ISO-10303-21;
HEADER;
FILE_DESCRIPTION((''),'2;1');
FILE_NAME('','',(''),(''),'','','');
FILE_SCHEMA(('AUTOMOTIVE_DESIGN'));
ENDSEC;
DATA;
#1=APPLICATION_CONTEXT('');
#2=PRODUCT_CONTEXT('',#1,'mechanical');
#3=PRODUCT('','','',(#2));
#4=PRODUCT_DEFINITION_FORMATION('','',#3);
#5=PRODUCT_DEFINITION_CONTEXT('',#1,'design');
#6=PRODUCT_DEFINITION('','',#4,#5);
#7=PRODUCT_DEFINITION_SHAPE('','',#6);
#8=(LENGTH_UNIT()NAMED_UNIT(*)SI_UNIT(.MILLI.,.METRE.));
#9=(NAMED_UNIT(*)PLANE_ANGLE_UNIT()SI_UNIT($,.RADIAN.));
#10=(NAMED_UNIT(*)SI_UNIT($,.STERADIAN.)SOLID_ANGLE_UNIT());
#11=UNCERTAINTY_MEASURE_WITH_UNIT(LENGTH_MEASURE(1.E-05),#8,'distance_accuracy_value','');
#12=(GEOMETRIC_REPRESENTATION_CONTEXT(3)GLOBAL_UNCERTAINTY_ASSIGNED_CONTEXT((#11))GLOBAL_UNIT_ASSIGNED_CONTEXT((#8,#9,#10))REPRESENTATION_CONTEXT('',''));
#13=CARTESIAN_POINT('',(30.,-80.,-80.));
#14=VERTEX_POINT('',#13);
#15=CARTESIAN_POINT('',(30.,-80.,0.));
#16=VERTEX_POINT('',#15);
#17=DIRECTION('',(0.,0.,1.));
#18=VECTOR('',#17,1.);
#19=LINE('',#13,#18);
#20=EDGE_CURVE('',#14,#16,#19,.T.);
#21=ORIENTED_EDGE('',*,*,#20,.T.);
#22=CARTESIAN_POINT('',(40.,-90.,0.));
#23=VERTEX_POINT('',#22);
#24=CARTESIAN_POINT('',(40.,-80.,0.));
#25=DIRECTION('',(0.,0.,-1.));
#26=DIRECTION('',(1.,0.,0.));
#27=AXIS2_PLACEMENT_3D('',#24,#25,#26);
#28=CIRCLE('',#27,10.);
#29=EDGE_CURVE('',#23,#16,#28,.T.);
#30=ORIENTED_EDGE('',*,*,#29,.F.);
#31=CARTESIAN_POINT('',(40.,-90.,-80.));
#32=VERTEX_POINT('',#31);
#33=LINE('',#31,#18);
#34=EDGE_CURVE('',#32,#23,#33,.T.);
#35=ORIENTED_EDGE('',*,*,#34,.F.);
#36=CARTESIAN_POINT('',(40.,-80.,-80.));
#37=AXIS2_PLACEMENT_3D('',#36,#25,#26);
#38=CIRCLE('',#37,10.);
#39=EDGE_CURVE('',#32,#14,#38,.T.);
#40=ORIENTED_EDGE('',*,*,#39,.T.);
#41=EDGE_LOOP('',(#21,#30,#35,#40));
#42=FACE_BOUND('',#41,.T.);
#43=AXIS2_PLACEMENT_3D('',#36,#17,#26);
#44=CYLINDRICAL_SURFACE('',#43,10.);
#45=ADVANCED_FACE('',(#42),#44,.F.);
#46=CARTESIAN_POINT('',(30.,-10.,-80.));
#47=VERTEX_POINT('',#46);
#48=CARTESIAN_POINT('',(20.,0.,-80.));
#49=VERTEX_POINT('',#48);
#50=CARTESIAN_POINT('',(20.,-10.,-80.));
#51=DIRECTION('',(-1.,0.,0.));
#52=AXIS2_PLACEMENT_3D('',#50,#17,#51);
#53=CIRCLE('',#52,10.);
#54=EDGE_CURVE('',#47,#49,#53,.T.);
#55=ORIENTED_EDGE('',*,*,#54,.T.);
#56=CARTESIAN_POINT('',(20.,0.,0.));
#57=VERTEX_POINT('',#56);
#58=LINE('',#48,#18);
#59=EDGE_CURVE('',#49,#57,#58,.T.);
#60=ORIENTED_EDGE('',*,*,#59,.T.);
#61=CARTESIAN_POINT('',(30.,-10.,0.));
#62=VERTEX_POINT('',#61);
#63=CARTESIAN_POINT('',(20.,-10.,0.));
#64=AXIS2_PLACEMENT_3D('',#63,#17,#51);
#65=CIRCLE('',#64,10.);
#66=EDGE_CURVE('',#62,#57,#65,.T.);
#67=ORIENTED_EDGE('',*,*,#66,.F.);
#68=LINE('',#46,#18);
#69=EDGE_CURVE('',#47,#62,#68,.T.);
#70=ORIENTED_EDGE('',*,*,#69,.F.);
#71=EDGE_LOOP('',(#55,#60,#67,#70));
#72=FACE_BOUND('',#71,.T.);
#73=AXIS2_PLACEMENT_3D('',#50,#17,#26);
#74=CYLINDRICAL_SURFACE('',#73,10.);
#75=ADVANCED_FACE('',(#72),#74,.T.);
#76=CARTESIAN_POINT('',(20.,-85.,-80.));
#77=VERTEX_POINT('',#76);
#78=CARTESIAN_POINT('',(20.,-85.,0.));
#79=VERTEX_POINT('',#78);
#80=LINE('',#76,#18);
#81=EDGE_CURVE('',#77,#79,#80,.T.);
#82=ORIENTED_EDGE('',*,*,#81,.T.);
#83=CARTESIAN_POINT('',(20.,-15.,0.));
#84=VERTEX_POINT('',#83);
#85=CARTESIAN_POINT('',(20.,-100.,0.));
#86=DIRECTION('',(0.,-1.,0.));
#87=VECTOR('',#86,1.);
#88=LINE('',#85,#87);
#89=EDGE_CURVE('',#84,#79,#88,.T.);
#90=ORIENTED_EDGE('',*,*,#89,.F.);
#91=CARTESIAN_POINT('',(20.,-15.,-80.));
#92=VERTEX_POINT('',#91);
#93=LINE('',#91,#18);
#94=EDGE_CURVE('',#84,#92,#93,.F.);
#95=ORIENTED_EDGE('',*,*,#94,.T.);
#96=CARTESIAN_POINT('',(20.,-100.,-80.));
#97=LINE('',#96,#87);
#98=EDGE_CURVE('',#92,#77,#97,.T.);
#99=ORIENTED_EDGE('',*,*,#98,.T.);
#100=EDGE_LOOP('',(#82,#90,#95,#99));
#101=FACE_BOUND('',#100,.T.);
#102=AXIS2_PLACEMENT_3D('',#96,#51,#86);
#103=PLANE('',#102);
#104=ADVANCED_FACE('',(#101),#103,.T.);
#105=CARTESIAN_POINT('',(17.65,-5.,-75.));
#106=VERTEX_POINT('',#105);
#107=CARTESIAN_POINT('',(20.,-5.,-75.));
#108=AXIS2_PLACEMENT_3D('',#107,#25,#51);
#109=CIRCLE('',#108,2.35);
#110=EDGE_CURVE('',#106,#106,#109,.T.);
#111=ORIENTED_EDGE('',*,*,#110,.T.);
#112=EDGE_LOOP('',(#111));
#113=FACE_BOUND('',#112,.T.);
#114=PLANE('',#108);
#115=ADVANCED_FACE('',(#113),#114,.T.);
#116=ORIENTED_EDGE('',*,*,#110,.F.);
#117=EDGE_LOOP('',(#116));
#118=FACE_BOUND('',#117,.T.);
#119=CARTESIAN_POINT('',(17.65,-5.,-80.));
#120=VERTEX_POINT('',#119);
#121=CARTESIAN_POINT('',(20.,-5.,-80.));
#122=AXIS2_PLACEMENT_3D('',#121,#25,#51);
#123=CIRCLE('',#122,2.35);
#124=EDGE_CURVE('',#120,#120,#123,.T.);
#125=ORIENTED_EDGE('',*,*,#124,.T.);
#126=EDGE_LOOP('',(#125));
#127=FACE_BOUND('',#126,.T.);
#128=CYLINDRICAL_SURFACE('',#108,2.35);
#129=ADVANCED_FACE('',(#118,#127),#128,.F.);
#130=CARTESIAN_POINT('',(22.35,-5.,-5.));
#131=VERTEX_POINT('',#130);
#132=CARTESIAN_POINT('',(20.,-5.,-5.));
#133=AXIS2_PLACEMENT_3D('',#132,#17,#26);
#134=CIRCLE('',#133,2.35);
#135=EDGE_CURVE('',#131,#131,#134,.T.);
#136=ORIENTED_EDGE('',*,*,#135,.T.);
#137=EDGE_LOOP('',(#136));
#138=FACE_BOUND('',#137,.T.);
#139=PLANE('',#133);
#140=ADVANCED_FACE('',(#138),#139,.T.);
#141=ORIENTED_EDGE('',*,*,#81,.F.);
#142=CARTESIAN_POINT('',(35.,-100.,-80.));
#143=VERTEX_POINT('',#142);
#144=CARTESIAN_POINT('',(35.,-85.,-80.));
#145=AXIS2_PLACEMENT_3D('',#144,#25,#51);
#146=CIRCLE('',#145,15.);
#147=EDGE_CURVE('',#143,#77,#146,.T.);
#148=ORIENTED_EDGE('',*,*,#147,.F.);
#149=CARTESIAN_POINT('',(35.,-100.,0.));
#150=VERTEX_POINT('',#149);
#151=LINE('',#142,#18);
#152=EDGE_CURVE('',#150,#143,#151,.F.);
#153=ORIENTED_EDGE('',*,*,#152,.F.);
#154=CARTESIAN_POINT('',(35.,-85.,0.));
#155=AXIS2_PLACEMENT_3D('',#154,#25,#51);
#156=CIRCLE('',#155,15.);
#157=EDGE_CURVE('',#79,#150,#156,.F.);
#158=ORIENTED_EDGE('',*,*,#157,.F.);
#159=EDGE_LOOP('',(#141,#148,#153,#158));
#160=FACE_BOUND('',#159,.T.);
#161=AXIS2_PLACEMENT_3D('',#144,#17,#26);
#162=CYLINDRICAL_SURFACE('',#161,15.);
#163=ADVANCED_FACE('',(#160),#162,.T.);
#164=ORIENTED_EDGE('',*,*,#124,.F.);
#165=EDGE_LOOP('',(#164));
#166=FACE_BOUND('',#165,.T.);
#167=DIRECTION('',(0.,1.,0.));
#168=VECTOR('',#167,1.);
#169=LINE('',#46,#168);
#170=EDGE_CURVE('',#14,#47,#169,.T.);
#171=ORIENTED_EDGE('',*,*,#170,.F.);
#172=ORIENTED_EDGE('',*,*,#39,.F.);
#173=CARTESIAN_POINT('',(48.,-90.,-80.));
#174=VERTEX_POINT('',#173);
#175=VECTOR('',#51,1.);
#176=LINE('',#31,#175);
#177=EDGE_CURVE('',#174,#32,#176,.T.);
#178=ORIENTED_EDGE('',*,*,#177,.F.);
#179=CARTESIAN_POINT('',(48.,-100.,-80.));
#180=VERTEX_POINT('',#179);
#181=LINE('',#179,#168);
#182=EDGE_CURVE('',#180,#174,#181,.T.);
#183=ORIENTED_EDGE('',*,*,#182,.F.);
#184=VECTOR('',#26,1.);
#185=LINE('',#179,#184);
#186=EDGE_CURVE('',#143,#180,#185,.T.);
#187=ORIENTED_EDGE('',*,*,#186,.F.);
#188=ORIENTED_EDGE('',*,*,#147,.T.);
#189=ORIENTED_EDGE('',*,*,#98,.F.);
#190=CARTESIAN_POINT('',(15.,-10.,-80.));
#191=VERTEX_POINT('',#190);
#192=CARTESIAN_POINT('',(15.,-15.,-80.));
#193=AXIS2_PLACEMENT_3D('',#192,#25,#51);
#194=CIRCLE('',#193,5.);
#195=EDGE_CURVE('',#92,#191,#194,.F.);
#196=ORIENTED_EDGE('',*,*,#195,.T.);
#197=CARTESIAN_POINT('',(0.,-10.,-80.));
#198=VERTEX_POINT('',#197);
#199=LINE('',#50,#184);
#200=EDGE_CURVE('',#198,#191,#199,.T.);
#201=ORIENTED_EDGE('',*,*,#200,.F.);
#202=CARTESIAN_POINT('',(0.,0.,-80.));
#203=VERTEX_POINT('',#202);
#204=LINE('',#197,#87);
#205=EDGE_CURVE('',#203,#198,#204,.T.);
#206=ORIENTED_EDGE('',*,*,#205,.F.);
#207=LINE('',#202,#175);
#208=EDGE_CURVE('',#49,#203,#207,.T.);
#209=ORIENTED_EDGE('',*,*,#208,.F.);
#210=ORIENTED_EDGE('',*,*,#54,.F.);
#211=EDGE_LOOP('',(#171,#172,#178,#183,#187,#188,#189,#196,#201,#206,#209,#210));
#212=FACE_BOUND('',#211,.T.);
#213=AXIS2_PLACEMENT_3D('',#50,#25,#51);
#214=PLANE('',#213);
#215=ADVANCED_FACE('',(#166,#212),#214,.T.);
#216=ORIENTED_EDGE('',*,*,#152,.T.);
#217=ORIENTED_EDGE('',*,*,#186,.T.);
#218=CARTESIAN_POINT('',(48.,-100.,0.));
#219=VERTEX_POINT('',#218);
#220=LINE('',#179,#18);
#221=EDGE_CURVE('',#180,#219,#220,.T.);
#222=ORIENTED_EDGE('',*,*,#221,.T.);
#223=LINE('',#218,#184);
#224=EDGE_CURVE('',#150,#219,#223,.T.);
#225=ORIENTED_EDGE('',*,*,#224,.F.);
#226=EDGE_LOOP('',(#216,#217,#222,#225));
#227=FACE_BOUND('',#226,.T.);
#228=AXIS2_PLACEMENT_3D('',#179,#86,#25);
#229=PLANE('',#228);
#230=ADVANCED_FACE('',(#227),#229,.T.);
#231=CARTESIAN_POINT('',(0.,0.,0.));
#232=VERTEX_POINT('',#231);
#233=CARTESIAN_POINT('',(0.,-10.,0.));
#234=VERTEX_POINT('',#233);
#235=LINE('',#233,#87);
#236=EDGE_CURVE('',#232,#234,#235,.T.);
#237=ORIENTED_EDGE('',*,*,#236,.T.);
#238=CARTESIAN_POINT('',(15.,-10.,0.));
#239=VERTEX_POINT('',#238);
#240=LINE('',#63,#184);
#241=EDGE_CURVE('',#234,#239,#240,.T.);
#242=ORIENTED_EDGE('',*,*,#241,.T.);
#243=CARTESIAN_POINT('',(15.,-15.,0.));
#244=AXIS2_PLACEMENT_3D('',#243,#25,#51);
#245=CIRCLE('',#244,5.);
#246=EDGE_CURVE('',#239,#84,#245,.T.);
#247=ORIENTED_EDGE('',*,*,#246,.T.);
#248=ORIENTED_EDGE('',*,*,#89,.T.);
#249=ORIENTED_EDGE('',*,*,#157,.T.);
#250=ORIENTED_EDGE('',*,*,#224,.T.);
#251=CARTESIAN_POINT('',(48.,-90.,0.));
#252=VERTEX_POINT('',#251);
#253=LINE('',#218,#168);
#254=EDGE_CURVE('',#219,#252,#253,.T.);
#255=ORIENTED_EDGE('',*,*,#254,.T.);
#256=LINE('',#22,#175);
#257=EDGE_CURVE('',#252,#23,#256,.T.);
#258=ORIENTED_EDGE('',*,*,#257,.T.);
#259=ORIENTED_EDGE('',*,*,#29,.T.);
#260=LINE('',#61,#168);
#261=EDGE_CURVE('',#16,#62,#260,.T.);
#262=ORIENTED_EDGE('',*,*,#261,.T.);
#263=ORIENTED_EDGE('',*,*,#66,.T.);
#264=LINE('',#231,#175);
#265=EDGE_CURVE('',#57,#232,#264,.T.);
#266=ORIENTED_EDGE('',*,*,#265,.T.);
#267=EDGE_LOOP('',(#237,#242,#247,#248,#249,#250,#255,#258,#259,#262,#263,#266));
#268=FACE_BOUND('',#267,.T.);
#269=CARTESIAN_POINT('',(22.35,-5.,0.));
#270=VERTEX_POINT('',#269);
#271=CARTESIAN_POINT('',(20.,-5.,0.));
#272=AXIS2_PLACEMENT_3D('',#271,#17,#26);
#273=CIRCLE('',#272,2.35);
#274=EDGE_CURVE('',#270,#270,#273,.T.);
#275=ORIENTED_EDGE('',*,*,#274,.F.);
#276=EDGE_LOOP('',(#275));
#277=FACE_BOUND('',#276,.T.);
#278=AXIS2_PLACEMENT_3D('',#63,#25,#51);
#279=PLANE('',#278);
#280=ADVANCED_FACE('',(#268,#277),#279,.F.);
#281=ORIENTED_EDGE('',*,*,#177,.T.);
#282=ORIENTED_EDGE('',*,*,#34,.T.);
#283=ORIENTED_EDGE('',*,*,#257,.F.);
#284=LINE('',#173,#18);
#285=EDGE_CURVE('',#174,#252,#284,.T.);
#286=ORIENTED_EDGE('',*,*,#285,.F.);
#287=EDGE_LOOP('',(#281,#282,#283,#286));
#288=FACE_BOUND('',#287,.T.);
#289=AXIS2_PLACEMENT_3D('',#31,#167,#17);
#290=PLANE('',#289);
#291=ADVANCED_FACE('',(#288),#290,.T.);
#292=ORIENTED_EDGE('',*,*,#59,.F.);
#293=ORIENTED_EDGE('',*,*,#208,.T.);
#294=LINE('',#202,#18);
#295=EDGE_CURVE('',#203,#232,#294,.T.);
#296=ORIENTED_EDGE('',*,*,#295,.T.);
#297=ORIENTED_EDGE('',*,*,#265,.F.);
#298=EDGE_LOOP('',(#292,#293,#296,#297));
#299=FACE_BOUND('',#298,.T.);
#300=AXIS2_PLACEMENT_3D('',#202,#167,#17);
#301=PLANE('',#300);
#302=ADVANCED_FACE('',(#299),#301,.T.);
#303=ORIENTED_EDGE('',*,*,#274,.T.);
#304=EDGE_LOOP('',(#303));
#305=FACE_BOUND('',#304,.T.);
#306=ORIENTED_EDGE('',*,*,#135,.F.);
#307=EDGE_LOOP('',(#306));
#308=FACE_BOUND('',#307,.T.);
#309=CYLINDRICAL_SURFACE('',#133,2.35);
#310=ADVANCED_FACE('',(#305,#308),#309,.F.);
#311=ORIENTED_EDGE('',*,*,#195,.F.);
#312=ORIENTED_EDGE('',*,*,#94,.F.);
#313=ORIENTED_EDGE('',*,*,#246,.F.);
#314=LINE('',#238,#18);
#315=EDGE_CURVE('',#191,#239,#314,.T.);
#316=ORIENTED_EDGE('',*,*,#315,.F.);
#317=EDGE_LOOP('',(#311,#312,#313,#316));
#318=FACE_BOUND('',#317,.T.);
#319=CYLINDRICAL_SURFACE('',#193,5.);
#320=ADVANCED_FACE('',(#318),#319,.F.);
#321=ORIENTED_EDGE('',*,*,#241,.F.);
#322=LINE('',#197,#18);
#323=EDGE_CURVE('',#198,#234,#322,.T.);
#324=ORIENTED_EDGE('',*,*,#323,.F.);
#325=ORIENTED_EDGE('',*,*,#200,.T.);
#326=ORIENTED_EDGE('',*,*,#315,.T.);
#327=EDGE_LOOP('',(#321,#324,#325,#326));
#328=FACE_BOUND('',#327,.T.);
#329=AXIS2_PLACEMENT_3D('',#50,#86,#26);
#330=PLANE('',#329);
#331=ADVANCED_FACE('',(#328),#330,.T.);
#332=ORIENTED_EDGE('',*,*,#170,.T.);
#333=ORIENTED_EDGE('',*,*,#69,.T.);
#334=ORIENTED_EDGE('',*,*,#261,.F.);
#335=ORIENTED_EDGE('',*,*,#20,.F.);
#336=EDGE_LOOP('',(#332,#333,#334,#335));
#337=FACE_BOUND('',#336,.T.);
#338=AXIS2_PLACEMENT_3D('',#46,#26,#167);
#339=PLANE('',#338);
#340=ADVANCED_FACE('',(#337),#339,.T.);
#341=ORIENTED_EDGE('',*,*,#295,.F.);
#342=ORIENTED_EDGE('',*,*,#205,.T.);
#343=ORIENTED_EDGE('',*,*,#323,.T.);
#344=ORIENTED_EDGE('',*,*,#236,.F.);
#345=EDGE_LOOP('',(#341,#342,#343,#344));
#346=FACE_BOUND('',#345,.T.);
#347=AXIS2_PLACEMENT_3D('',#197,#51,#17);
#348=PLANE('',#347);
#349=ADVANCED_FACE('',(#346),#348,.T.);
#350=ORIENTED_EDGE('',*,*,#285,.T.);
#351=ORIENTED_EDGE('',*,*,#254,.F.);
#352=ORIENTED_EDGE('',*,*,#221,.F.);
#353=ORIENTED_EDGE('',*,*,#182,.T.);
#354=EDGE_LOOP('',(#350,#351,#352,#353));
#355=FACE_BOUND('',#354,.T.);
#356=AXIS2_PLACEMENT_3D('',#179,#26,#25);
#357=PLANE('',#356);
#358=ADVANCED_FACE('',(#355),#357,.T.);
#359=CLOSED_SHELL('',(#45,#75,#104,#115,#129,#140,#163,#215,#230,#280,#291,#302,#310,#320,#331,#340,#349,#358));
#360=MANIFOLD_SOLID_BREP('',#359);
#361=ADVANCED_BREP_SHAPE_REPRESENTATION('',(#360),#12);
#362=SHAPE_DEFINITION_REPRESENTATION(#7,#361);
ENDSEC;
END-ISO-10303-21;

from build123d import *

# Parameters (mm, degrees)
SALIENTE_EXTRUIR3_DEPTH = 80
CROQUIS2_R              = 2.35
CORTAR_EXTRUIR1_DEPTH   = 5
CORTAR_EXTRUIR2_START   = -5
CROQUIS3_R              = 2.35
CORTAR_EXTRUIR2_DEPTH   = 5
REDONDEO1_R             = 15
REDONDEO3_R             = 5


with BuildPart() as part:
    # Croquis1 → Saliente-Extruir3 (new body)
    with BuildSketch(Plane.XY):
        with BuildLine():
            Line((0, 0), (20, 0))
            ThreePointArc((20, 0), (27.071067812, -2.928932188), (30, -10))
            Line((30, -10), (30, -80))
            ThreePointArc((30, -80), (32.928932188, -87.071067812), (40, -90))
            Line((40, -90), (48, -90))
            Line((48, -90), (48, -100))
            Line((48, -100), (20, -100))
            Line((20, -100), (20, -10))
            Line((20, -10), (0, -10))
            Line((0, -10), (0, 0))
        make_face()
    extrude(amount=-SALIENTE_EXTRUIR3_DEPTH)

    # Croquis2 → Cortar-Extruir1 (cut)
    with BuildSketch(Plane.XY):
        with Locations((20, -5)):
            Circle(CROQUIS2_R)
    extrude(amount=-CORTAR_EXTRUIR1_DEPTH, mode=Mode.SUBTRACT)

    # Croquis3 → Cortar-Extruir2 (cut)
    with BuildSketch(Plane(origin=(0, 0, -80), x_dir=(-1, 0, 0), z_dir=(0, 0, -1)).offset(CORTAR_EXTRUIR2_START)):
        with Locations(Location((-20, -5, 0), (0, 0, 180))):
            Circle(CROQUIS3_R)
    extrude(amount=CORTAR_EXTRUIR2_DEPTH, mode=Mode.SUBTRACT)

    # Redondeo1
    redondeo1_edges = [part.edges().sort_by_distance(p)[0] for p in [
        (20, -100, -40),
    ]]
    fillet(redondeo1_edges, radius=REDONDEO1_R)

    # Redondeo3
    redondeo3_edges = [part.edges().sort_by_distance(p)[0] for p in [
        (20, -10, -40),
    ]]
    fillet(redondeo3_edges, radius=REDONDEO3_R)


solid = part.part
